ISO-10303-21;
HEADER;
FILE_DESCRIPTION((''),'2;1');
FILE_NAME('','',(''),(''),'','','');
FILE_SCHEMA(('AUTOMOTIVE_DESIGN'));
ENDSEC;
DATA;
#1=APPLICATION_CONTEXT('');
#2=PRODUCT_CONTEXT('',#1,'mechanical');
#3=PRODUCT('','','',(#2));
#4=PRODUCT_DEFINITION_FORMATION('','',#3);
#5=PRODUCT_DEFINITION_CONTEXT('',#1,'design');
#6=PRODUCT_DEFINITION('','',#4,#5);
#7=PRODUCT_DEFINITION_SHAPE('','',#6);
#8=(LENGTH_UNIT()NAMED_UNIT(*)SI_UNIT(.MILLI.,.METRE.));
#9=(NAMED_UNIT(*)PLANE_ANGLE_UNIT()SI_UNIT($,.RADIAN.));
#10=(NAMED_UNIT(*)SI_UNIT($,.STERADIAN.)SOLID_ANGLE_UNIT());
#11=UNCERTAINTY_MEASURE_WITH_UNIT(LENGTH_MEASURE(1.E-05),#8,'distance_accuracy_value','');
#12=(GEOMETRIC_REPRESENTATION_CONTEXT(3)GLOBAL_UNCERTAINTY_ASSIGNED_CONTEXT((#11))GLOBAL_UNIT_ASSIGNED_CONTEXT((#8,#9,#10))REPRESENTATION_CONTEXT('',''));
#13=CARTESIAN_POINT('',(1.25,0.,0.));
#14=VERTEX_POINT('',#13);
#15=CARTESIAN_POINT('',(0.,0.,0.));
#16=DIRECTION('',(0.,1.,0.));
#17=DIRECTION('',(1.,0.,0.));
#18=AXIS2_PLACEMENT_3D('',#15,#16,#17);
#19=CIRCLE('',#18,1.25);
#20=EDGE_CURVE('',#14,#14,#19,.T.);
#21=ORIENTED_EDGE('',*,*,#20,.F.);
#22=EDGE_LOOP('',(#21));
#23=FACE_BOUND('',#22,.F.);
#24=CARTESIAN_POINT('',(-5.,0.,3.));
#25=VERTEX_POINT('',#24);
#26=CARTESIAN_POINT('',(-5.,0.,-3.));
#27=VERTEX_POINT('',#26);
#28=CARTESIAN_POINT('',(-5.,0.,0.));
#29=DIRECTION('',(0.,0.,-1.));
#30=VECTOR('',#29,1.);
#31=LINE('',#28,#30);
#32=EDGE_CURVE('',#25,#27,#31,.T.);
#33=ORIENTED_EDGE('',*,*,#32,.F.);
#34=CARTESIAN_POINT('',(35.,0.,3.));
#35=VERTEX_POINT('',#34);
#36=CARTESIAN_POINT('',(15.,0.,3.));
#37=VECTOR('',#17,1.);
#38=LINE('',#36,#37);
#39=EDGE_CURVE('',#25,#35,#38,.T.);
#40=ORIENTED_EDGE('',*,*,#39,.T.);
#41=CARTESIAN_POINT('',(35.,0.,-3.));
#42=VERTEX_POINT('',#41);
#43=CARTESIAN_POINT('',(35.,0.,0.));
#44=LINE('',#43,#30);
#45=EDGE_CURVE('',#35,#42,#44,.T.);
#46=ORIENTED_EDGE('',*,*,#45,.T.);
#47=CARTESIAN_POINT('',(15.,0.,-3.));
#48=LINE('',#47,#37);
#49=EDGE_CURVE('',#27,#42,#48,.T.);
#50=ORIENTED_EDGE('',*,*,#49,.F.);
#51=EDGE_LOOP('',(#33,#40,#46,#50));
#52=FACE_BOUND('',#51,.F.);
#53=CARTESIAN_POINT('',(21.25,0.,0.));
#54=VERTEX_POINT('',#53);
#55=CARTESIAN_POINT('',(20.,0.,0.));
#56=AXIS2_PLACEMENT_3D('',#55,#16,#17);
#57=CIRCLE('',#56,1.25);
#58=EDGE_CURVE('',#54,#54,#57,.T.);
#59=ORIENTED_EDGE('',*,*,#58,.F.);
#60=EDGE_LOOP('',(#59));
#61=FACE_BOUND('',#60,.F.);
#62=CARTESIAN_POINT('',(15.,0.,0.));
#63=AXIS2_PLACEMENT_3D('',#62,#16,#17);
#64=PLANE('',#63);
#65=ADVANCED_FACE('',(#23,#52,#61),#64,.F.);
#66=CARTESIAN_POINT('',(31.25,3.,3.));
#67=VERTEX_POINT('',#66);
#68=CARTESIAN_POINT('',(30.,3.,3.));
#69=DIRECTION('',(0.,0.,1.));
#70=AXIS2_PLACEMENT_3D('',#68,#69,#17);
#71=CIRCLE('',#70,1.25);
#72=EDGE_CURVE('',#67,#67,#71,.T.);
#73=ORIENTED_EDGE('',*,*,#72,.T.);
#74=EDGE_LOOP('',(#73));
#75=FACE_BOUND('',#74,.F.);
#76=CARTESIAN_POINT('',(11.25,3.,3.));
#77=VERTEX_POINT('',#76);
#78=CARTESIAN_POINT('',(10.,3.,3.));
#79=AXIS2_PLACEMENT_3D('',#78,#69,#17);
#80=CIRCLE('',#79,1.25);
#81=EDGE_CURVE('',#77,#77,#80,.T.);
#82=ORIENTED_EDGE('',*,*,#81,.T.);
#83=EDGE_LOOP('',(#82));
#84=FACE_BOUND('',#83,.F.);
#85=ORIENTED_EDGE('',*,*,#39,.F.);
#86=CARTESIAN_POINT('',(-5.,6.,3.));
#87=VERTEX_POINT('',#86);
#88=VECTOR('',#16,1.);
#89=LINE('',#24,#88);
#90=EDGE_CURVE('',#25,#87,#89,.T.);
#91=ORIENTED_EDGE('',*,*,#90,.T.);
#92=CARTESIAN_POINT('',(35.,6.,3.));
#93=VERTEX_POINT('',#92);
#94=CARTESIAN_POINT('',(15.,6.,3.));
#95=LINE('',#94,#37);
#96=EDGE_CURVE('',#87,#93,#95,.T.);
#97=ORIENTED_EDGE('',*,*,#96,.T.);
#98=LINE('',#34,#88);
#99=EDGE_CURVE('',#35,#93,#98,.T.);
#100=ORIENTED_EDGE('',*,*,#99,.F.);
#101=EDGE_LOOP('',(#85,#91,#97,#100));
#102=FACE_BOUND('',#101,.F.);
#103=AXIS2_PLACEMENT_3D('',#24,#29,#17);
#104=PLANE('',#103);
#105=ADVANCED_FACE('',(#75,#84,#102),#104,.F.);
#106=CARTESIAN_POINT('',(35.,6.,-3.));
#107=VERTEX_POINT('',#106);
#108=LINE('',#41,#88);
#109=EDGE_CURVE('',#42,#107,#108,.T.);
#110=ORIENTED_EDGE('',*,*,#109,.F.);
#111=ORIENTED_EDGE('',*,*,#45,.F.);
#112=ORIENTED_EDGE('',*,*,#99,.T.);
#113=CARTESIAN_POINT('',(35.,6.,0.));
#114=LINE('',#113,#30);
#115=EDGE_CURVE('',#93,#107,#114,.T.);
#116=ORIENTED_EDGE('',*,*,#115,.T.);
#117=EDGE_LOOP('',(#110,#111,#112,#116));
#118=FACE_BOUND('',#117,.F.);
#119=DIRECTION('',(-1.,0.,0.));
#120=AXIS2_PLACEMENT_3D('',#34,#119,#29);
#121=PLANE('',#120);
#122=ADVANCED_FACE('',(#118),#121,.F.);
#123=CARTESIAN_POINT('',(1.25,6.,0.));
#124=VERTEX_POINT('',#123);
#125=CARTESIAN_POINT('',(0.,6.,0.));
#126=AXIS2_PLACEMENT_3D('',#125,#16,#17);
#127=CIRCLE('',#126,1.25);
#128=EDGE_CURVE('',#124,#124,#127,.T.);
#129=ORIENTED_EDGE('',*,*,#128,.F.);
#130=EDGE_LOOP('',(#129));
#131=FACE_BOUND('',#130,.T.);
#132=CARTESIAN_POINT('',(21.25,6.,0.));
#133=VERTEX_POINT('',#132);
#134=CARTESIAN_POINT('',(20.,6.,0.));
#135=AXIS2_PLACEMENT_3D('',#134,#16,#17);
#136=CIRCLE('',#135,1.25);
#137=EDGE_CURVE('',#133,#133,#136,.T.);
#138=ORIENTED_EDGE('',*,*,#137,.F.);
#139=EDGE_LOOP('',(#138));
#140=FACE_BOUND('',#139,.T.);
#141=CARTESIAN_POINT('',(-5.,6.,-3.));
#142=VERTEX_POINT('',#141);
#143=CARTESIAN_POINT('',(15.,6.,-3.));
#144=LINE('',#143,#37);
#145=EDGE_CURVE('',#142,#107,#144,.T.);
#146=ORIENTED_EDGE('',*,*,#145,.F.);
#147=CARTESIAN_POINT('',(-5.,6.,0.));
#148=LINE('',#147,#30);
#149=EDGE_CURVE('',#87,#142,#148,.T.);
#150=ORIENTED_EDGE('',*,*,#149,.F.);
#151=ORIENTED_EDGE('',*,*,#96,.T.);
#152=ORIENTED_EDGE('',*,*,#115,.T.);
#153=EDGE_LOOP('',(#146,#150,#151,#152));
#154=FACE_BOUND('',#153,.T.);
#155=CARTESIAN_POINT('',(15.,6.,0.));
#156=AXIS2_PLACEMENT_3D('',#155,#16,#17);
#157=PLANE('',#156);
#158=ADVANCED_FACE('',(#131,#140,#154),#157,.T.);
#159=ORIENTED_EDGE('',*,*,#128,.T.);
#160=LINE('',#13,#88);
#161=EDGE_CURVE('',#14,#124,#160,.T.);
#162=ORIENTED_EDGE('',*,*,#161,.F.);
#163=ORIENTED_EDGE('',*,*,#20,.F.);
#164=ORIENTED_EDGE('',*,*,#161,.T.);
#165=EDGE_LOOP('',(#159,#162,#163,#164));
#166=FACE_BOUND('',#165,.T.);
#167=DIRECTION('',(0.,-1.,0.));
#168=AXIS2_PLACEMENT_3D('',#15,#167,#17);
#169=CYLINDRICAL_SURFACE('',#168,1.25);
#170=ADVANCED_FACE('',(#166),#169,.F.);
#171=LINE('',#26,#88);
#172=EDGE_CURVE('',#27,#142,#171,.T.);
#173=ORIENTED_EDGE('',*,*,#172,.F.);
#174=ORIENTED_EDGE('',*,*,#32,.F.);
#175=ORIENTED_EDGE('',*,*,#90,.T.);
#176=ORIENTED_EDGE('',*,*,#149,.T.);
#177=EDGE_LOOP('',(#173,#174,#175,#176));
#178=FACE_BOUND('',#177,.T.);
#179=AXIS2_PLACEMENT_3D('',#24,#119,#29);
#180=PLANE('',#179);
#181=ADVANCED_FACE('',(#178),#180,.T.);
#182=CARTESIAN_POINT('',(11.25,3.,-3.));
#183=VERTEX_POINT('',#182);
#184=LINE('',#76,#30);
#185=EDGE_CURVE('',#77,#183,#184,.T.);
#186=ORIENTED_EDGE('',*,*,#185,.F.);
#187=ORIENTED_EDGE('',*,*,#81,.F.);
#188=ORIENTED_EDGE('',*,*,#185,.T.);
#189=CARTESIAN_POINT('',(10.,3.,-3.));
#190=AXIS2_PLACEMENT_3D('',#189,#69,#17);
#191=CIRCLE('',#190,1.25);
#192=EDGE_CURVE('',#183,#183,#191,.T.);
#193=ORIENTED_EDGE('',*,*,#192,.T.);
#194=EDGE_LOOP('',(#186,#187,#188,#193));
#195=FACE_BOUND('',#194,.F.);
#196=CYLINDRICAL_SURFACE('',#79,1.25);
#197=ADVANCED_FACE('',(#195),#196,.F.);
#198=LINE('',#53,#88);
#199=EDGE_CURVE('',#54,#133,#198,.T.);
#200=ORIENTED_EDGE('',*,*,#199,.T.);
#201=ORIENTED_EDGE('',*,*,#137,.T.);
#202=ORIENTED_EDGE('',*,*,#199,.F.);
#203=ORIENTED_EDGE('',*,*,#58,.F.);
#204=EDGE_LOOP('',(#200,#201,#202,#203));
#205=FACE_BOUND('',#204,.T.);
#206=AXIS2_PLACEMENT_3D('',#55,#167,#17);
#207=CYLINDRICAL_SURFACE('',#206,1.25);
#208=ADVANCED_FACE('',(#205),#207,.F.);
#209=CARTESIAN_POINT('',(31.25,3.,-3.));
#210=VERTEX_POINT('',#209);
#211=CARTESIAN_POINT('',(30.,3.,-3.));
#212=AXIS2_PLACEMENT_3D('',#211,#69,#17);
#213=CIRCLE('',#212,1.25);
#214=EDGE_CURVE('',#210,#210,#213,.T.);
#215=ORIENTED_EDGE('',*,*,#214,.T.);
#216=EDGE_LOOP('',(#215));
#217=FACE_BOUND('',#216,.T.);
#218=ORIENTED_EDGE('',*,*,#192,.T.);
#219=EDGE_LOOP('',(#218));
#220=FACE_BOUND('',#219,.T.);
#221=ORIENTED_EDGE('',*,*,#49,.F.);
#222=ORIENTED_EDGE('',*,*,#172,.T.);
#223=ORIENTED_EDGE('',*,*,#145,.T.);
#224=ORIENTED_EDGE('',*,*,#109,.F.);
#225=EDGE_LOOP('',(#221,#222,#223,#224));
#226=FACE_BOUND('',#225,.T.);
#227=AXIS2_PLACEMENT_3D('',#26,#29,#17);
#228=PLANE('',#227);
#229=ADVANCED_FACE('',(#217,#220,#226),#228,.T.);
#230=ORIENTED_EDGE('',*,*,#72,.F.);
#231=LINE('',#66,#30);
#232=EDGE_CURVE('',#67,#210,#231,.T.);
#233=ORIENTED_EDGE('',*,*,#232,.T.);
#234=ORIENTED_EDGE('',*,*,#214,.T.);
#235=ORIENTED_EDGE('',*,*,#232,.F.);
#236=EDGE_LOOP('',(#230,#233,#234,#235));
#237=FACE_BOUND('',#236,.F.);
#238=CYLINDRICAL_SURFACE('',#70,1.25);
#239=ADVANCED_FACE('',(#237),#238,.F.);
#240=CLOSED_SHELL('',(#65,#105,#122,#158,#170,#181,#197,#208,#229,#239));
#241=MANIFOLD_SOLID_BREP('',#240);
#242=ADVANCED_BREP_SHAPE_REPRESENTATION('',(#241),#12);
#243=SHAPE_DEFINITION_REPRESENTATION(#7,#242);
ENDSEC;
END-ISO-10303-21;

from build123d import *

# Parameters (mm, degrees)
SKETCH1_W           = 40
SKETCH1_H           = 6
SKETCH1_R           = 1.25
BOSS_EXTRUDE1_DEPTH = 6
SKETCH2_R           = 1.25
CUT_EXTRUDE1_DEPTH  = 6


with BuildPart() as part:
    # Sketch1 → Boss-Extrude1 (new body)
    with BuildSketch(Plane(origin=(0, 0, 0), x_dir=(1, 0, 0), z_dir=(0, 1, 0))):
        with Locations((15, 0)):
            Rectangle(SKETCH1_W, SKETCH1_H)
        Circle(SKETCH1_R, mode=Mode.SUBTRACT)
        with Locations((20, 0)):
            Circle(SKETCH1_R, mode=Mode.SUBTRACT)
    extrude(amount=BOSS_EXTRUDE1_DEPTH)

    # Sketch2 → Cut-Extrude1 (cut)
    with BuildSketch(Plane.XY.offset(3)):
        with Locations((10, 3)):
            Circle(SKETCH2_R)
        with Locations((30, 3)):
            Circle(SKETCH2_R)
    extrude(amount=-CUT_EXTRUDE1_DEPTH, mode=Mode.SUBTRACT)


solid = part.part
